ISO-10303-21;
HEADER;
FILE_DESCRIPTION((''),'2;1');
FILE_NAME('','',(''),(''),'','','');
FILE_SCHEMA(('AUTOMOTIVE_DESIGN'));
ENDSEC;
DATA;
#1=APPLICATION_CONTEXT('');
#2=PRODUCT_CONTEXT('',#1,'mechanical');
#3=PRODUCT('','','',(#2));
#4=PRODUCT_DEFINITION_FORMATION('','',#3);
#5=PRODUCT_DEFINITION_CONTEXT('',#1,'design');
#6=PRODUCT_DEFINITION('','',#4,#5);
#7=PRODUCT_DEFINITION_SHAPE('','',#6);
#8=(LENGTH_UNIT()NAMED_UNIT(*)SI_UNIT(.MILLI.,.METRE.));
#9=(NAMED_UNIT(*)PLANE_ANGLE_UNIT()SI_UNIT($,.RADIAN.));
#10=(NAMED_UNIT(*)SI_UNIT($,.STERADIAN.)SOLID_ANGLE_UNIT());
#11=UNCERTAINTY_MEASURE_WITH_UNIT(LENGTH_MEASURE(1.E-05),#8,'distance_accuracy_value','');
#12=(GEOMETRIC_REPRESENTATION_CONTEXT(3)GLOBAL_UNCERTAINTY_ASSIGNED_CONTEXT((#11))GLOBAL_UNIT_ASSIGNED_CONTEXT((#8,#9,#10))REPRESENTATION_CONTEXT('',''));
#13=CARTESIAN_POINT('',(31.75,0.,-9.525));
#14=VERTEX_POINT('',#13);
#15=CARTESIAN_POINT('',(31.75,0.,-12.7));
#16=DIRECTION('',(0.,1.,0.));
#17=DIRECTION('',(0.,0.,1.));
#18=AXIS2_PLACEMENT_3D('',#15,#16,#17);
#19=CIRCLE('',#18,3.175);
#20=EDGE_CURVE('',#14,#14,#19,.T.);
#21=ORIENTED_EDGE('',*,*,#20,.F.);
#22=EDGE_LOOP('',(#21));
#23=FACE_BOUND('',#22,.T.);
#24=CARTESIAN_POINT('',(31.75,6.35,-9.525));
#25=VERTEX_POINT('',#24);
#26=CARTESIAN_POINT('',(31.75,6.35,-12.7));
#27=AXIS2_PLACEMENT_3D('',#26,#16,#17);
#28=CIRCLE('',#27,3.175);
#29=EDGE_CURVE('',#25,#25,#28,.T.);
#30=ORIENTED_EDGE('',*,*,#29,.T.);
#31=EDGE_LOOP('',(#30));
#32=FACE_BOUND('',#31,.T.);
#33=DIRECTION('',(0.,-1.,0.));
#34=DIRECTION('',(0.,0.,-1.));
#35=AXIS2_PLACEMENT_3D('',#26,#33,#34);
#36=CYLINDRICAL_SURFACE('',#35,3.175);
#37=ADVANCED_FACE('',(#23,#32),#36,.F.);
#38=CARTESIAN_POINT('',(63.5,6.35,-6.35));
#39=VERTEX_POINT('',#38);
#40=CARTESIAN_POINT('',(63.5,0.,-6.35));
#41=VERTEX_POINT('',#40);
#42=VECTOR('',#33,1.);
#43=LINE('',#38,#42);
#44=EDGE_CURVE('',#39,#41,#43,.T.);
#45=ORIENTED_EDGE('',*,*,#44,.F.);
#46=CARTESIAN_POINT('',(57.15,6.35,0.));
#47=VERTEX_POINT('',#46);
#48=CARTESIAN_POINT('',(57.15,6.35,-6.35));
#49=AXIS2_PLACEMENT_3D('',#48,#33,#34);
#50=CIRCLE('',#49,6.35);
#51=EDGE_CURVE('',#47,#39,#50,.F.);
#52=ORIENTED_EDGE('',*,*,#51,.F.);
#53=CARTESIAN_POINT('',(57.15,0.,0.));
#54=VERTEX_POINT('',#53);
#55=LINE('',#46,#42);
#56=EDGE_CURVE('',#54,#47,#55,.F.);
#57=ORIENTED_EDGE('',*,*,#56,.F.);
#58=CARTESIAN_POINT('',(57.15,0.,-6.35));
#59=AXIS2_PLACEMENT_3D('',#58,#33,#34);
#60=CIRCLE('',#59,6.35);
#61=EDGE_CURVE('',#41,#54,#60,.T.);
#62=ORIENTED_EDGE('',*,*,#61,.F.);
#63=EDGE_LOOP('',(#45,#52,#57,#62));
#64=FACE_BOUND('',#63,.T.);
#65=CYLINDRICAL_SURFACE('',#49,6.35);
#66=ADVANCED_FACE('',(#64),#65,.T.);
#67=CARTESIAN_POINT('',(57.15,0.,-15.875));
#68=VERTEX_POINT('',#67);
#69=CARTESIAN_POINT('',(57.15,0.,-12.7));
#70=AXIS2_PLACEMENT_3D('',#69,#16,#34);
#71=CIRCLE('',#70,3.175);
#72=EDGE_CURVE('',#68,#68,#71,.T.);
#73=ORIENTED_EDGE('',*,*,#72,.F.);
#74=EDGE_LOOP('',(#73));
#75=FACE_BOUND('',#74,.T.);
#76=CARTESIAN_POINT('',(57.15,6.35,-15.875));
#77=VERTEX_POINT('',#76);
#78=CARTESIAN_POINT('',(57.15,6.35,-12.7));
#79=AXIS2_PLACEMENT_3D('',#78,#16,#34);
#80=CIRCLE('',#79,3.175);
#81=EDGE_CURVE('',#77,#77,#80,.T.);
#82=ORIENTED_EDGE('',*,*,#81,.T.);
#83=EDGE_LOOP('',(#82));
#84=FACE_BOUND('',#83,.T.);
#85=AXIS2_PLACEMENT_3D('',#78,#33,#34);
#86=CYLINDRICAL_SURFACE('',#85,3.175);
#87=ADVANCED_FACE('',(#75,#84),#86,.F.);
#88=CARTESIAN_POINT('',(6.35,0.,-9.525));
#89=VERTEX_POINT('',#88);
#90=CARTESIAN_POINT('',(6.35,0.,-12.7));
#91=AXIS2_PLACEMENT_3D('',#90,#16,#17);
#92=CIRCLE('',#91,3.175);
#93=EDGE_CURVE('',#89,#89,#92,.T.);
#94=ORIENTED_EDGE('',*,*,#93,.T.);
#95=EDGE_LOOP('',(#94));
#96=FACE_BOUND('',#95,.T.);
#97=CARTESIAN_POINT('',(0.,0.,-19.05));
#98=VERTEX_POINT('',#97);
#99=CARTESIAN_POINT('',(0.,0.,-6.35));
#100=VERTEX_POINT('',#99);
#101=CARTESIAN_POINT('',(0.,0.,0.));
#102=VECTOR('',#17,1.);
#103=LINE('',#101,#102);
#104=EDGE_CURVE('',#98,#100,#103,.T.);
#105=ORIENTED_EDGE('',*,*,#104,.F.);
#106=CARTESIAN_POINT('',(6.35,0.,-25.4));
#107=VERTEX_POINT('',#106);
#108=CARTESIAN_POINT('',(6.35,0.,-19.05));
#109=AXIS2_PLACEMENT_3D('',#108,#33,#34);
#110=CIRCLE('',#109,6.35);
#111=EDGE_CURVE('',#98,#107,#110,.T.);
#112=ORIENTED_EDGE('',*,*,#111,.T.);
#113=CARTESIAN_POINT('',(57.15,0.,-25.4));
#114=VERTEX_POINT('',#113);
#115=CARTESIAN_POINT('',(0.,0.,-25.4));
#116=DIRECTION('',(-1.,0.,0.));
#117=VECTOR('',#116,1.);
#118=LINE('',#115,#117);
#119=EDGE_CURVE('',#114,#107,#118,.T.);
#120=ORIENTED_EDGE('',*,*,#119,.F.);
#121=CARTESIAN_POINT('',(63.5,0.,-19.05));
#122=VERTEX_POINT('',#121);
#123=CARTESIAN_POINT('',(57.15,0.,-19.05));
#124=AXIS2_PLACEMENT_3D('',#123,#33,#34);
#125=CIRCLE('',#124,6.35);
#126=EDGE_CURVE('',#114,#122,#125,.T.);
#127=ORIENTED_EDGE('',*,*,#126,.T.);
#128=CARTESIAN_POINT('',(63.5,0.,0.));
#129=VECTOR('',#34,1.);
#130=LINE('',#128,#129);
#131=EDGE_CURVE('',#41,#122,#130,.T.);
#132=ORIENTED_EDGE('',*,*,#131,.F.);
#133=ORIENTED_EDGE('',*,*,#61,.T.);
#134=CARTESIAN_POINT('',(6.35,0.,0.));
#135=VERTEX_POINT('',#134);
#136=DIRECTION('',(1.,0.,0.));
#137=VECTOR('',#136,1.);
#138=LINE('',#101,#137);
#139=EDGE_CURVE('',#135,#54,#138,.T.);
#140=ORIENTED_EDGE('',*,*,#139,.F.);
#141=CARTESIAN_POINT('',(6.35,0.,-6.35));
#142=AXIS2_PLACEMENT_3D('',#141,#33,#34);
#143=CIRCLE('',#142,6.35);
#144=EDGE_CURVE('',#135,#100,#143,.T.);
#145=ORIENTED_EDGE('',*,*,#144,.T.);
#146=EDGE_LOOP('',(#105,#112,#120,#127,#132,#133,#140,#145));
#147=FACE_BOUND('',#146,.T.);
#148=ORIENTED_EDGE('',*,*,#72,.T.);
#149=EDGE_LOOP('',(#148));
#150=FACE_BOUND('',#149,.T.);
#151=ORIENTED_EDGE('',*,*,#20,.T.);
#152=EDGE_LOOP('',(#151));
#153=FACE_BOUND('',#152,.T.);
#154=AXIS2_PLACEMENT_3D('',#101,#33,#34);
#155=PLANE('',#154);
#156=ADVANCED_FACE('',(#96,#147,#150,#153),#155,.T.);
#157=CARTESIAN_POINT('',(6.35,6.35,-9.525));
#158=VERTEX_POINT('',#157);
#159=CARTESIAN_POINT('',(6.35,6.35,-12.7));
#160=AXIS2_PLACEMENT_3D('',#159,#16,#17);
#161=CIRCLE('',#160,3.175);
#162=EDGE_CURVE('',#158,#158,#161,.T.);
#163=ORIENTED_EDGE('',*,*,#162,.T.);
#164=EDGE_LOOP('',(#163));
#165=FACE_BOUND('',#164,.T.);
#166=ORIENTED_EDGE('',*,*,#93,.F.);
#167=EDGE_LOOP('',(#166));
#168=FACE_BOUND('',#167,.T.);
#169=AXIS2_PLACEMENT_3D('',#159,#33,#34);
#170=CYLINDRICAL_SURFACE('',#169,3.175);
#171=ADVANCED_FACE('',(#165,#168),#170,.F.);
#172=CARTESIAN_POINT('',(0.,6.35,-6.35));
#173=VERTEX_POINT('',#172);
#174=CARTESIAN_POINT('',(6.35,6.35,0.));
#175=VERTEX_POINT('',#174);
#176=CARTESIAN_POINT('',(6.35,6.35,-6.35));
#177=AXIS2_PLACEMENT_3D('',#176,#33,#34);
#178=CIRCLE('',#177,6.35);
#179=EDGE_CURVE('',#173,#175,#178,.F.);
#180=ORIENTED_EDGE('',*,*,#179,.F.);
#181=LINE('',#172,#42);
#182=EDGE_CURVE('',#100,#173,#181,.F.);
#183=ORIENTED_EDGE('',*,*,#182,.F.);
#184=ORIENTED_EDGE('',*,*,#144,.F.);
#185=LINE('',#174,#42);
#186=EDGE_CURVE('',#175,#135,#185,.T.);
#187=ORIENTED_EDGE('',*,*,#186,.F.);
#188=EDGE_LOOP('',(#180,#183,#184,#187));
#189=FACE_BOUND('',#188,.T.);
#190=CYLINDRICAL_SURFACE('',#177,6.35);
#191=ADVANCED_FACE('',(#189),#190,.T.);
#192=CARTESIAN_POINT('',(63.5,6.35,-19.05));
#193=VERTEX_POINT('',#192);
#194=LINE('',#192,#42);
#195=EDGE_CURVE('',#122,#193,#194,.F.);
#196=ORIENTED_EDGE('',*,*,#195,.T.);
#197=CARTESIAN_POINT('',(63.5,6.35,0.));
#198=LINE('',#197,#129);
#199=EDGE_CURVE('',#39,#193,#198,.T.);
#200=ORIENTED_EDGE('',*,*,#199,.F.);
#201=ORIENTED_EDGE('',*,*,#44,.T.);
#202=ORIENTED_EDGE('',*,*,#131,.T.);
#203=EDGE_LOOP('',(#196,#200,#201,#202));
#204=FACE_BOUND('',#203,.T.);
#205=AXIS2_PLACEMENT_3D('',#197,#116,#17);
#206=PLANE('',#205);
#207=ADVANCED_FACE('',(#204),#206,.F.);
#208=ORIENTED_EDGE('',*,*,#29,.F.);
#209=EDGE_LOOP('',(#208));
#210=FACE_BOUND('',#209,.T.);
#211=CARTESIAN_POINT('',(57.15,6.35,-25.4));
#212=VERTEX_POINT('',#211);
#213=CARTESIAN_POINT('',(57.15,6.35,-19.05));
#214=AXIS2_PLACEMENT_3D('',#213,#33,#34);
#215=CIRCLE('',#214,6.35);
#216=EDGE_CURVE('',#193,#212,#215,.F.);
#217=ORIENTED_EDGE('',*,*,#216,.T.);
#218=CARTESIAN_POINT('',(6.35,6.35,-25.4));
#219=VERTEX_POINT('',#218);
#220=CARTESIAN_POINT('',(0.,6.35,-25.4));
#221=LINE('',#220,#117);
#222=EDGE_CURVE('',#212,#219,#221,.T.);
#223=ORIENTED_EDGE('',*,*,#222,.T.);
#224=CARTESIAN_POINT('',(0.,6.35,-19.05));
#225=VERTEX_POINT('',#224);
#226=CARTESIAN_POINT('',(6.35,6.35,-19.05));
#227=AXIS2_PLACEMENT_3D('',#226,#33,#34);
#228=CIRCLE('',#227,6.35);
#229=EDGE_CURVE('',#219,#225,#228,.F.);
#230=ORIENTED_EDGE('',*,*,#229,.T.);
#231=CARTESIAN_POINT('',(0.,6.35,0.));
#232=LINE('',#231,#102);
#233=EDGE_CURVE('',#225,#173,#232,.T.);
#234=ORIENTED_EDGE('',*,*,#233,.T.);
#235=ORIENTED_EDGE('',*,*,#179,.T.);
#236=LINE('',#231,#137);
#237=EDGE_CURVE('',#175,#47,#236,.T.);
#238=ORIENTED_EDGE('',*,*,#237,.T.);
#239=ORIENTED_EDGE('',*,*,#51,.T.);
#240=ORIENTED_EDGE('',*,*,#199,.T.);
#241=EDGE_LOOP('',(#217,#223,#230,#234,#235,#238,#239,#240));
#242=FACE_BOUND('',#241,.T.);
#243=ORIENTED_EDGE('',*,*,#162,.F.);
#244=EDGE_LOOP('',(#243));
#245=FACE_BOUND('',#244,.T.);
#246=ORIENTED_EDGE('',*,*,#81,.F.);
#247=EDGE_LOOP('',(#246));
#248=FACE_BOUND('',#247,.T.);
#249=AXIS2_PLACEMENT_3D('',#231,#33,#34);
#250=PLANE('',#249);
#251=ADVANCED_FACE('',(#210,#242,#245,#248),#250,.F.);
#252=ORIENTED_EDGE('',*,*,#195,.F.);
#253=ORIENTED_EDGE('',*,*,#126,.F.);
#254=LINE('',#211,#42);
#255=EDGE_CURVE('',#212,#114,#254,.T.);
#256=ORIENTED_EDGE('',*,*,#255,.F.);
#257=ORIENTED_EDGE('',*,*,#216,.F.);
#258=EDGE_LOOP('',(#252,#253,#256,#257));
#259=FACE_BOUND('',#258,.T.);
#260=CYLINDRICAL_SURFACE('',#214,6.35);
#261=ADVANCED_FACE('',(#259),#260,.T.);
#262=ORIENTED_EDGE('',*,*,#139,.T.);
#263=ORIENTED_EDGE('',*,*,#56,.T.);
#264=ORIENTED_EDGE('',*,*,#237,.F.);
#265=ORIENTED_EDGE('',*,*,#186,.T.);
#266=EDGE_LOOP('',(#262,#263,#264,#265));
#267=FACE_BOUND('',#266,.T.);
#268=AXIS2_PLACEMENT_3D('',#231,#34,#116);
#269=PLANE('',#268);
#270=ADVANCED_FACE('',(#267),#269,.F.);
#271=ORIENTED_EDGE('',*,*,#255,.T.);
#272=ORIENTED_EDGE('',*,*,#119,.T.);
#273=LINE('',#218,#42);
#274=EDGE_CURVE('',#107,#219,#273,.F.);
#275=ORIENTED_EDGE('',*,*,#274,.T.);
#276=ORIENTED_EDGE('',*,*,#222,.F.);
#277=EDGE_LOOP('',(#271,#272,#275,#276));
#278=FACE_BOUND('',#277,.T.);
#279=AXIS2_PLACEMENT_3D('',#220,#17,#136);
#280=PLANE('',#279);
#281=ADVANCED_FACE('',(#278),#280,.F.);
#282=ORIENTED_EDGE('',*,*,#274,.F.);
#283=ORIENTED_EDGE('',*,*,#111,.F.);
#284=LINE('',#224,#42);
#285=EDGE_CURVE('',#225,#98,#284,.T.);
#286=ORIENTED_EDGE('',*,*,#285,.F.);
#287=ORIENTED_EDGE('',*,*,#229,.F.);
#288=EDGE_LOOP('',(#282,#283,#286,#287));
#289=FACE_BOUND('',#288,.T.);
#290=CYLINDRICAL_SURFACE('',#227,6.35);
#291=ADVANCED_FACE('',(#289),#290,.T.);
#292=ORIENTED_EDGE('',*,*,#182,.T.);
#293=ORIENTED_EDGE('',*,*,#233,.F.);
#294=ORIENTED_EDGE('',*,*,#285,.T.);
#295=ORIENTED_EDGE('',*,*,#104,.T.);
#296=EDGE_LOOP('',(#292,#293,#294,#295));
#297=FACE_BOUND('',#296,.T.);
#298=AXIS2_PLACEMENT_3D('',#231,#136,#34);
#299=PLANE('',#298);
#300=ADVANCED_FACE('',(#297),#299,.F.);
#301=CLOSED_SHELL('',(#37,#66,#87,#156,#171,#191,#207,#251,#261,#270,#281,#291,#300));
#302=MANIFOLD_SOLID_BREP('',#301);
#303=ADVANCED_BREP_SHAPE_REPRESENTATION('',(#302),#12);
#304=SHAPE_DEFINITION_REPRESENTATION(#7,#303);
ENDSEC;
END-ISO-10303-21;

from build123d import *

# Parameters (mm, degrees)
SKETCH1_W           = 63.5
SKETCH1_H           = 25.4
SKETCH1_R           = 3.175
BOSS_EXTRUDE1_DEPTH = 6.35
FILLET1_R           = 6.35


with BuildPart() as part:
    # Sketch1 → Boss-Extrude1 (new body)
    with BuildSketch(Plane(origin=(0, 0, 0), x_dir=(1, 0, 0), z_dir=(0, 1, 0))):
        with Locations((31.75, 12.7)):
            Rectangle(SKETCH1_W, SKETCH1_H)
        with Locations(Location((6.35, 12.7, 0), (0, 0, 270))):
            Circle(SKETCH1_R, mode=Mode.SUBTRACT)
        with Locations(Location((31.75, 12.7, 0), (0, 0, 270))):
            Circle(SKETCH1_R, mode=Mode.SUBTRACT)
        with Locations(Location((57.15, 12.7, 0), (0, 0, 90))):
            Circle(SKETCH1_R, mode=Mode.SUBTRACT)
    extrude(amount=BOSS_EXTRUDE1_DEPTH)

    # Fillet1
    fillet1_edges = [part.edges().sort_by_distance(p)[0] for p in [
        (0, 3.175, -25.4),
        (63.5, 3.175, -25.4),
        (63.5, 3.175, 0),
        (0, 3.175, 0),
    ]]
    fillet(fillet1_edges, radius=FILLET1_R)


solid = part.part
